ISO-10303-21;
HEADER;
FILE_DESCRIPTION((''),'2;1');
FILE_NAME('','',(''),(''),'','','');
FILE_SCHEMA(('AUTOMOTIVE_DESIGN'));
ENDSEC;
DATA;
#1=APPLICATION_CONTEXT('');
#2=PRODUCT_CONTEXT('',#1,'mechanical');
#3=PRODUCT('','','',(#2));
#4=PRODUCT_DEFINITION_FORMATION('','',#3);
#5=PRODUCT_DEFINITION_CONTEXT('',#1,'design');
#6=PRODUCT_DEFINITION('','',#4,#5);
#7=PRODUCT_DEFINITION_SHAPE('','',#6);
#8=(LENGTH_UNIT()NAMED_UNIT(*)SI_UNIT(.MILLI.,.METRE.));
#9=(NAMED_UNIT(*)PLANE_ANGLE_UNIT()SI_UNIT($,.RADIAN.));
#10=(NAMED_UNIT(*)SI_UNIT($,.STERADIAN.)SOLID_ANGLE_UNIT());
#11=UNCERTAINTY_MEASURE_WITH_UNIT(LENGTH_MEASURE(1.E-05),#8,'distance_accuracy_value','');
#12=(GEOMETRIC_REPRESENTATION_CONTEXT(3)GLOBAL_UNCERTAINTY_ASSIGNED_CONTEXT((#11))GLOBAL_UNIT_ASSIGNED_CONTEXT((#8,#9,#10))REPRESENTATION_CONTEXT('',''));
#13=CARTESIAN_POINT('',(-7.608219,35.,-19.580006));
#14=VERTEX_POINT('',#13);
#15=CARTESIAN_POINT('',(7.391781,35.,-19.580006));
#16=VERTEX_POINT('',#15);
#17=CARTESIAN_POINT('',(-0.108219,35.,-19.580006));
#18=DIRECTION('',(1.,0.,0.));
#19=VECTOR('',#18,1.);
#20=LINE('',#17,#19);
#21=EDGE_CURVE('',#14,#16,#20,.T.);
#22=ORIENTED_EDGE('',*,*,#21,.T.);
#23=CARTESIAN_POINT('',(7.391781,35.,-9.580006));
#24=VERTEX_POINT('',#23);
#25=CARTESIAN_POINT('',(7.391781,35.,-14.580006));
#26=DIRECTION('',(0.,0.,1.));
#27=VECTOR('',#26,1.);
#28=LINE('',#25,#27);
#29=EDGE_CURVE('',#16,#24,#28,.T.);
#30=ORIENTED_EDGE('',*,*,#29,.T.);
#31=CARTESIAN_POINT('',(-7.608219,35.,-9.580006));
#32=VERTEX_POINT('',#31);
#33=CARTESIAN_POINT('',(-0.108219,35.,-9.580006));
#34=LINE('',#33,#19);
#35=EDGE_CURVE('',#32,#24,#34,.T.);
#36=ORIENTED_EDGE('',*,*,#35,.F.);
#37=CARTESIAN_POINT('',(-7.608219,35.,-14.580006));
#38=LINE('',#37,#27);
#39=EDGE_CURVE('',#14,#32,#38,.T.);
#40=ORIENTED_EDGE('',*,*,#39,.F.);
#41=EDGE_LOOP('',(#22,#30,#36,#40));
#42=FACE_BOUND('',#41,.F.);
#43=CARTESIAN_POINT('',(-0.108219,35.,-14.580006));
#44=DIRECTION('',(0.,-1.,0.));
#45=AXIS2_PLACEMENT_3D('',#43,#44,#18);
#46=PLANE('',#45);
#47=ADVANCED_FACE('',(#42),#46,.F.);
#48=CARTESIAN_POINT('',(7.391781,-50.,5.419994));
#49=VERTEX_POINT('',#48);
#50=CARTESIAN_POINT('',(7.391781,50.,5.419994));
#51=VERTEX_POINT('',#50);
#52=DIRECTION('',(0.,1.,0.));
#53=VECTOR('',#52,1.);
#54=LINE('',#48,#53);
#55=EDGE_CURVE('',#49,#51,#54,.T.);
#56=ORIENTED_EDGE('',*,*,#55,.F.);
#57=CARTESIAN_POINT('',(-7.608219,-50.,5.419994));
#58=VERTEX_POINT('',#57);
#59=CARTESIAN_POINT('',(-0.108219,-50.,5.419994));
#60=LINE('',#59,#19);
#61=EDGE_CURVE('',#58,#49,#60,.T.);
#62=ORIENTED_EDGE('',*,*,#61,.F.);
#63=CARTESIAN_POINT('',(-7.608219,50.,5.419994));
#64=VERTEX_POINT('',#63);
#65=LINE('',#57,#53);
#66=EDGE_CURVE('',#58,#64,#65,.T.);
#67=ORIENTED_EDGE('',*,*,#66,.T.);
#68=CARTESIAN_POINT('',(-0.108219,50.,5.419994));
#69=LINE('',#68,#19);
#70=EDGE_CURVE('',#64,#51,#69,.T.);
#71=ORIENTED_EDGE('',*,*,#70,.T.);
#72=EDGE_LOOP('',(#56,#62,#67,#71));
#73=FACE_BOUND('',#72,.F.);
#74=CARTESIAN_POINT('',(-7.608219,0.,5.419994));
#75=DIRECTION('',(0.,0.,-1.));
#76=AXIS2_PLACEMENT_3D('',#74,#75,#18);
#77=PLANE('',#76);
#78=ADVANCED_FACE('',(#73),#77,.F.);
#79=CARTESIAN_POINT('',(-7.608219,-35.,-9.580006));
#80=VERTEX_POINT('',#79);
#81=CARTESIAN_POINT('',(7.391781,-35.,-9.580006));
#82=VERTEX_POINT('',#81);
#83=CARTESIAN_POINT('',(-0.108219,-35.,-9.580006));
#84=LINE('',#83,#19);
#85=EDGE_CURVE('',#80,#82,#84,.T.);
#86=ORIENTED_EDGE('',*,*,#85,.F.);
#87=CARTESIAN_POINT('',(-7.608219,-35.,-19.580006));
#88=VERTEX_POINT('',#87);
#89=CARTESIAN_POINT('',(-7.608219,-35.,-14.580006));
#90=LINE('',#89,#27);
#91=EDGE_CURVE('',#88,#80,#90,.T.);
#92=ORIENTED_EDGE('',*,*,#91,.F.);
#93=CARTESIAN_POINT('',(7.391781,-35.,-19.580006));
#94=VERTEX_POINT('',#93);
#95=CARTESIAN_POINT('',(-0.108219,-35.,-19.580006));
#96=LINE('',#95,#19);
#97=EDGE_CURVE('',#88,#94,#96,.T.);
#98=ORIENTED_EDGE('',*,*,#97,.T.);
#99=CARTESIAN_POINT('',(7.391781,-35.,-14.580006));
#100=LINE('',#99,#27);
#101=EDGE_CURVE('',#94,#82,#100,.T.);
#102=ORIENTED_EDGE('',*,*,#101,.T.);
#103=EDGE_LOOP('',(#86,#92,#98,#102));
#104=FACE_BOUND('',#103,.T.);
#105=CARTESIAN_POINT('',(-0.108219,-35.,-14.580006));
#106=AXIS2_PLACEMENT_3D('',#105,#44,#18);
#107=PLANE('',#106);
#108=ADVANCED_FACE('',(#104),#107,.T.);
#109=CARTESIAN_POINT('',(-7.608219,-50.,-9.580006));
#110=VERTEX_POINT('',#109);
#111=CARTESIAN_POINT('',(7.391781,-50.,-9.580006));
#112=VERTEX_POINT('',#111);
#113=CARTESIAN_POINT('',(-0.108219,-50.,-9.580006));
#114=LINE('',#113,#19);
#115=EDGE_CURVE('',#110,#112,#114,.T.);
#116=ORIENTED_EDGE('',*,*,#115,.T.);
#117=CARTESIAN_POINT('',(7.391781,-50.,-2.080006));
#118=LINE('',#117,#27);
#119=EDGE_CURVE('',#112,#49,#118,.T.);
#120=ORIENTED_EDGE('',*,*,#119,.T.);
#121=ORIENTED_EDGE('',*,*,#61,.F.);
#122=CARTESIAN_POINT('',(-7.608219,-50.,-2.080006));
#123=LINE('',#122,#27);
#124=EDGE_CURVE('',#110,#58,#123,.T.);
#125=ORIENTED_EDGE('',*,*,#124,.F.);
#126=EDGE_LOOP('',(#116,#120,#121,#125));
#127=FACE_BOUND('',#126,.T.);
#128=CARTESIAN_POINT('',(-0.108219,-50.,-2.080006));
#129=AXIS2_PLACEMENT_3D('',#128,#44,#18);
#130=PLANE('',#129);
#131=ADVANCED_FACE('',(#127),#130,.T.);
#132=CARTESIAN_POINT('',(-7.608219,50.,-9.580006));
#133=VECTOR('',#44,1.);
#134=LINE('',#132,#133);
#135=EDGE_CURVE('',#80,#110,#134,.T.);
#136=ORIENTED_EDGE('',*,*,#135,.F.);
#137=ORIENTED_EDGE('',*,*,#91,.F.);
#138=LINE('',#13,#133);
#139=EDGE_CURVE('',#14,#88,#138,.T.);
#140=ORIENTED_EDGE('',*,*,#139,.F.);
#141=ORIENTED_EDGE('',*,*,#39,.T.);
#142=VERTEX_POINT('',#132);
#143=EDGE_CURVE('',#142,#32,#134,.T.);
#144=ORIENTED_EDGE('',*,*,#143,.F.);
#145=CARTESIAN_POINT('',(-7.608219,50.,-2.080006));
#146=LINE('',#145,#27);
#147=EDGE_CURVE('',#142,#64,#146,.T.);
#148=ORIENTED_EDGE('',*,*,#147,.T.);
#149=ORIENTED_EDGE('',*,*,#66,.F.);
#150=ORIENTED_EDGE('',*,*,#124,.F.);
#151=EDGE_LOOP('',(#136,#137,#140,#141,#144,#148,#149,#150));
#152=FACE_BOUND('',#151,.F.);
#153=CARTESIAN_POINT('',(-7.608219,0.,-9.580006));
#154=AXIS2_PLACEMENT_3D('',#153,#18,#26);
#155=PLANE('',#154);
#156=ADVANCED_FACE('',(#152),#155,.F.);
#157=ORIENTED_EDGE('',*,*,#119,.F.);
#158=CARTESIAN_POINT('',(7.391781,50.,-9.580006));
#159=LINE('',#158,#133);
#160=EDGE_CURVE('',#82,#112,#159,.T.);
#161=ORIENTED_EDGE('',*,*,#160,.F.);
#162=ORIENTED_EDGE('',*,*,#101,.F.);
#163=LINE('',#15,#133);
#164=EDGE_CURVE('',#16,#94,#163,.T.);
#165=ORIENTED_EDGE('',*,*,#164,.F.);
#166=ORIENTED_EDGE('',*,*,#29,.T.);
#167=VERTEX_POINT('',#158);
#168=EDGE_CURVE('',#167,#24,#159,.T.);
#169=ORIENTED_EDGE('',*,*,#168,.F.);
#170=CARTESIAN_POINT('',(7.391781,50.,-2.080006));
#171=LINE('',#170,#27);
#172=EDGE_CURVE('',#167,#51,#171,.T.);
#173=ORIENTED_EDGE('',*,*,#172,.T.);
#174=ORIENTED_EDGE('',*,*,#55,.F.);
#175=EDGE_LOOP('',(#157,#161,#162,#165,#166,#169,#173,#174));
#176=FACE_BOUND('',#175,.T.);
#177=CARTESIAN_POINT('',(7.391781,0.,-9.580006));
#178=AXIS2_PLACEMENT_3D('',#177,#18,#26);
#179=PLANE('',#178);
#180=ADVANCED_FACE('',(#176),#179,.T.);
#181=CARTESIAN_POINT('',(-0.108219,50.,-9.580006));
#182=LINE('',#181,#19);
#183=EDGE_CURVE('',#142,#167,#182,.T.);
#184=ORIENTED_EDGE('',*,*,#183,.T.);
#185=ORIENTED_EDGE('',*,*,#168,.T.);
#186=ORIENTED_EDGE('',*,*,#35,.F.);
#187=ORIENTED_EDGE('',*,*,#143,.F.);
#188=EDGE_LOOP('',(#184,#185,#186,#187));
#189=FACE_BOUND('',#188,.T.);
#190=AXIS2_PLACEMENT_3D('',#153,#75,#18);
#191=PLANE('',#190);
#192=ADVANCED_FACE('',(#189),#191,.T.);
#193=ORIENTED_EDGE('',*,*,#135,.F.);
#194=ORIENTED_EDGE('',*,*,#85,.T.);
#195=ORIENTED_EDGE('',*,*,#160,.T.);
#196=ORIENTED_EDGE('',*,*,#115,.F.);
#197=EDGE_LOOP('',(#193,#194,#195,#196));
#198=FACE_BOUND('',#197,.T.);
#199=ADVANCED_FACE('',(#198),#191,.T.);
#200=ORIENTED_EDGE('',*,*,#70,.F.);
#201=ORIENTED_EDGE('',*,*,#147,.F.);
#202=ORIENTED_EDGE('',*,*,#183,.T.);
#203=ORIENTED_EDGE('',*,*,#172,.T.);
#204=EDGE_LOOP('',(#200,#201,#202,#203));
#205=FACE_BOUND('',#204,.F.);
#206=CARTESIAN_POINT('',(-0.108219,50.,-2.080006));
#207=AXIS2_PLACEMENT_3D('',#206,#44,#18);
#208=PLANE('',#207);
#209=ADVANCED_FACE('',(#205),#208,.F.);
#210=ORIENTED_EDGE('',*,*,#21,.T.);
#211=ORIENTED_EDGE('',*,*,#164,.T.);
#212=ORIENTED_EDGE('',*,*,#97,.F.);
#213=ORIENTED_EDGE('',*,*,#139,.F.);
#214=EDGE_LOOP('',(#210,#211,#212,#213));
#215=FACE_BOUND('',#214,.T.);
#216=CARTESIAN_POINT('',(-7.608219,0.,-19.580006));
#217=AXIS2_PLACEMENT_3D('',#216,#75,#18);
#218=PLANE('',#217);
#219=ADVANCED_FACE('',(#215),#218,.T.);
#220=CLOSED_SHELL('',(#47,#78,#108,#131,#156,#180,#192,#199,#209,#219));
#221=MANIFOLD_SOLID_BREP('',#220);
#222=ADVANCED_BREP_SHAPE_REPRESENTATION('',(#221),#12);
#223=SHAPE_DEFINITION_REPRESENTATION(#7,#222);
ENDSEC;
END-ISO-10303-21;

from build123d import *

# Parameters (mm, degrees)
F0_W     = 15
F0_H     = 15
F1_DEPTH = 50
F0_H_2   = 10
F2_DEPTH = 35


with BuildPart() as f1:
    # F0 (on Front) → F1 (new body, symmetric)
    with BuildSketch(Plane.XZ):
        with Locations((-0.108219, -2.080006)):
            Rectangle(F0_W, F0_H)
    extrude(amount=F1_DEPTH, both=True)

    # F0 (on Front) → F2 (join, symmetric)
    with BuildSketch(Plane.XZ):
        with Locations((-0.108219, -14.580006)):
            Rectangle(F0_W, F0_H_2)
    extrude(amount=F2_DEPTH, both=True)


solid = f1.part
